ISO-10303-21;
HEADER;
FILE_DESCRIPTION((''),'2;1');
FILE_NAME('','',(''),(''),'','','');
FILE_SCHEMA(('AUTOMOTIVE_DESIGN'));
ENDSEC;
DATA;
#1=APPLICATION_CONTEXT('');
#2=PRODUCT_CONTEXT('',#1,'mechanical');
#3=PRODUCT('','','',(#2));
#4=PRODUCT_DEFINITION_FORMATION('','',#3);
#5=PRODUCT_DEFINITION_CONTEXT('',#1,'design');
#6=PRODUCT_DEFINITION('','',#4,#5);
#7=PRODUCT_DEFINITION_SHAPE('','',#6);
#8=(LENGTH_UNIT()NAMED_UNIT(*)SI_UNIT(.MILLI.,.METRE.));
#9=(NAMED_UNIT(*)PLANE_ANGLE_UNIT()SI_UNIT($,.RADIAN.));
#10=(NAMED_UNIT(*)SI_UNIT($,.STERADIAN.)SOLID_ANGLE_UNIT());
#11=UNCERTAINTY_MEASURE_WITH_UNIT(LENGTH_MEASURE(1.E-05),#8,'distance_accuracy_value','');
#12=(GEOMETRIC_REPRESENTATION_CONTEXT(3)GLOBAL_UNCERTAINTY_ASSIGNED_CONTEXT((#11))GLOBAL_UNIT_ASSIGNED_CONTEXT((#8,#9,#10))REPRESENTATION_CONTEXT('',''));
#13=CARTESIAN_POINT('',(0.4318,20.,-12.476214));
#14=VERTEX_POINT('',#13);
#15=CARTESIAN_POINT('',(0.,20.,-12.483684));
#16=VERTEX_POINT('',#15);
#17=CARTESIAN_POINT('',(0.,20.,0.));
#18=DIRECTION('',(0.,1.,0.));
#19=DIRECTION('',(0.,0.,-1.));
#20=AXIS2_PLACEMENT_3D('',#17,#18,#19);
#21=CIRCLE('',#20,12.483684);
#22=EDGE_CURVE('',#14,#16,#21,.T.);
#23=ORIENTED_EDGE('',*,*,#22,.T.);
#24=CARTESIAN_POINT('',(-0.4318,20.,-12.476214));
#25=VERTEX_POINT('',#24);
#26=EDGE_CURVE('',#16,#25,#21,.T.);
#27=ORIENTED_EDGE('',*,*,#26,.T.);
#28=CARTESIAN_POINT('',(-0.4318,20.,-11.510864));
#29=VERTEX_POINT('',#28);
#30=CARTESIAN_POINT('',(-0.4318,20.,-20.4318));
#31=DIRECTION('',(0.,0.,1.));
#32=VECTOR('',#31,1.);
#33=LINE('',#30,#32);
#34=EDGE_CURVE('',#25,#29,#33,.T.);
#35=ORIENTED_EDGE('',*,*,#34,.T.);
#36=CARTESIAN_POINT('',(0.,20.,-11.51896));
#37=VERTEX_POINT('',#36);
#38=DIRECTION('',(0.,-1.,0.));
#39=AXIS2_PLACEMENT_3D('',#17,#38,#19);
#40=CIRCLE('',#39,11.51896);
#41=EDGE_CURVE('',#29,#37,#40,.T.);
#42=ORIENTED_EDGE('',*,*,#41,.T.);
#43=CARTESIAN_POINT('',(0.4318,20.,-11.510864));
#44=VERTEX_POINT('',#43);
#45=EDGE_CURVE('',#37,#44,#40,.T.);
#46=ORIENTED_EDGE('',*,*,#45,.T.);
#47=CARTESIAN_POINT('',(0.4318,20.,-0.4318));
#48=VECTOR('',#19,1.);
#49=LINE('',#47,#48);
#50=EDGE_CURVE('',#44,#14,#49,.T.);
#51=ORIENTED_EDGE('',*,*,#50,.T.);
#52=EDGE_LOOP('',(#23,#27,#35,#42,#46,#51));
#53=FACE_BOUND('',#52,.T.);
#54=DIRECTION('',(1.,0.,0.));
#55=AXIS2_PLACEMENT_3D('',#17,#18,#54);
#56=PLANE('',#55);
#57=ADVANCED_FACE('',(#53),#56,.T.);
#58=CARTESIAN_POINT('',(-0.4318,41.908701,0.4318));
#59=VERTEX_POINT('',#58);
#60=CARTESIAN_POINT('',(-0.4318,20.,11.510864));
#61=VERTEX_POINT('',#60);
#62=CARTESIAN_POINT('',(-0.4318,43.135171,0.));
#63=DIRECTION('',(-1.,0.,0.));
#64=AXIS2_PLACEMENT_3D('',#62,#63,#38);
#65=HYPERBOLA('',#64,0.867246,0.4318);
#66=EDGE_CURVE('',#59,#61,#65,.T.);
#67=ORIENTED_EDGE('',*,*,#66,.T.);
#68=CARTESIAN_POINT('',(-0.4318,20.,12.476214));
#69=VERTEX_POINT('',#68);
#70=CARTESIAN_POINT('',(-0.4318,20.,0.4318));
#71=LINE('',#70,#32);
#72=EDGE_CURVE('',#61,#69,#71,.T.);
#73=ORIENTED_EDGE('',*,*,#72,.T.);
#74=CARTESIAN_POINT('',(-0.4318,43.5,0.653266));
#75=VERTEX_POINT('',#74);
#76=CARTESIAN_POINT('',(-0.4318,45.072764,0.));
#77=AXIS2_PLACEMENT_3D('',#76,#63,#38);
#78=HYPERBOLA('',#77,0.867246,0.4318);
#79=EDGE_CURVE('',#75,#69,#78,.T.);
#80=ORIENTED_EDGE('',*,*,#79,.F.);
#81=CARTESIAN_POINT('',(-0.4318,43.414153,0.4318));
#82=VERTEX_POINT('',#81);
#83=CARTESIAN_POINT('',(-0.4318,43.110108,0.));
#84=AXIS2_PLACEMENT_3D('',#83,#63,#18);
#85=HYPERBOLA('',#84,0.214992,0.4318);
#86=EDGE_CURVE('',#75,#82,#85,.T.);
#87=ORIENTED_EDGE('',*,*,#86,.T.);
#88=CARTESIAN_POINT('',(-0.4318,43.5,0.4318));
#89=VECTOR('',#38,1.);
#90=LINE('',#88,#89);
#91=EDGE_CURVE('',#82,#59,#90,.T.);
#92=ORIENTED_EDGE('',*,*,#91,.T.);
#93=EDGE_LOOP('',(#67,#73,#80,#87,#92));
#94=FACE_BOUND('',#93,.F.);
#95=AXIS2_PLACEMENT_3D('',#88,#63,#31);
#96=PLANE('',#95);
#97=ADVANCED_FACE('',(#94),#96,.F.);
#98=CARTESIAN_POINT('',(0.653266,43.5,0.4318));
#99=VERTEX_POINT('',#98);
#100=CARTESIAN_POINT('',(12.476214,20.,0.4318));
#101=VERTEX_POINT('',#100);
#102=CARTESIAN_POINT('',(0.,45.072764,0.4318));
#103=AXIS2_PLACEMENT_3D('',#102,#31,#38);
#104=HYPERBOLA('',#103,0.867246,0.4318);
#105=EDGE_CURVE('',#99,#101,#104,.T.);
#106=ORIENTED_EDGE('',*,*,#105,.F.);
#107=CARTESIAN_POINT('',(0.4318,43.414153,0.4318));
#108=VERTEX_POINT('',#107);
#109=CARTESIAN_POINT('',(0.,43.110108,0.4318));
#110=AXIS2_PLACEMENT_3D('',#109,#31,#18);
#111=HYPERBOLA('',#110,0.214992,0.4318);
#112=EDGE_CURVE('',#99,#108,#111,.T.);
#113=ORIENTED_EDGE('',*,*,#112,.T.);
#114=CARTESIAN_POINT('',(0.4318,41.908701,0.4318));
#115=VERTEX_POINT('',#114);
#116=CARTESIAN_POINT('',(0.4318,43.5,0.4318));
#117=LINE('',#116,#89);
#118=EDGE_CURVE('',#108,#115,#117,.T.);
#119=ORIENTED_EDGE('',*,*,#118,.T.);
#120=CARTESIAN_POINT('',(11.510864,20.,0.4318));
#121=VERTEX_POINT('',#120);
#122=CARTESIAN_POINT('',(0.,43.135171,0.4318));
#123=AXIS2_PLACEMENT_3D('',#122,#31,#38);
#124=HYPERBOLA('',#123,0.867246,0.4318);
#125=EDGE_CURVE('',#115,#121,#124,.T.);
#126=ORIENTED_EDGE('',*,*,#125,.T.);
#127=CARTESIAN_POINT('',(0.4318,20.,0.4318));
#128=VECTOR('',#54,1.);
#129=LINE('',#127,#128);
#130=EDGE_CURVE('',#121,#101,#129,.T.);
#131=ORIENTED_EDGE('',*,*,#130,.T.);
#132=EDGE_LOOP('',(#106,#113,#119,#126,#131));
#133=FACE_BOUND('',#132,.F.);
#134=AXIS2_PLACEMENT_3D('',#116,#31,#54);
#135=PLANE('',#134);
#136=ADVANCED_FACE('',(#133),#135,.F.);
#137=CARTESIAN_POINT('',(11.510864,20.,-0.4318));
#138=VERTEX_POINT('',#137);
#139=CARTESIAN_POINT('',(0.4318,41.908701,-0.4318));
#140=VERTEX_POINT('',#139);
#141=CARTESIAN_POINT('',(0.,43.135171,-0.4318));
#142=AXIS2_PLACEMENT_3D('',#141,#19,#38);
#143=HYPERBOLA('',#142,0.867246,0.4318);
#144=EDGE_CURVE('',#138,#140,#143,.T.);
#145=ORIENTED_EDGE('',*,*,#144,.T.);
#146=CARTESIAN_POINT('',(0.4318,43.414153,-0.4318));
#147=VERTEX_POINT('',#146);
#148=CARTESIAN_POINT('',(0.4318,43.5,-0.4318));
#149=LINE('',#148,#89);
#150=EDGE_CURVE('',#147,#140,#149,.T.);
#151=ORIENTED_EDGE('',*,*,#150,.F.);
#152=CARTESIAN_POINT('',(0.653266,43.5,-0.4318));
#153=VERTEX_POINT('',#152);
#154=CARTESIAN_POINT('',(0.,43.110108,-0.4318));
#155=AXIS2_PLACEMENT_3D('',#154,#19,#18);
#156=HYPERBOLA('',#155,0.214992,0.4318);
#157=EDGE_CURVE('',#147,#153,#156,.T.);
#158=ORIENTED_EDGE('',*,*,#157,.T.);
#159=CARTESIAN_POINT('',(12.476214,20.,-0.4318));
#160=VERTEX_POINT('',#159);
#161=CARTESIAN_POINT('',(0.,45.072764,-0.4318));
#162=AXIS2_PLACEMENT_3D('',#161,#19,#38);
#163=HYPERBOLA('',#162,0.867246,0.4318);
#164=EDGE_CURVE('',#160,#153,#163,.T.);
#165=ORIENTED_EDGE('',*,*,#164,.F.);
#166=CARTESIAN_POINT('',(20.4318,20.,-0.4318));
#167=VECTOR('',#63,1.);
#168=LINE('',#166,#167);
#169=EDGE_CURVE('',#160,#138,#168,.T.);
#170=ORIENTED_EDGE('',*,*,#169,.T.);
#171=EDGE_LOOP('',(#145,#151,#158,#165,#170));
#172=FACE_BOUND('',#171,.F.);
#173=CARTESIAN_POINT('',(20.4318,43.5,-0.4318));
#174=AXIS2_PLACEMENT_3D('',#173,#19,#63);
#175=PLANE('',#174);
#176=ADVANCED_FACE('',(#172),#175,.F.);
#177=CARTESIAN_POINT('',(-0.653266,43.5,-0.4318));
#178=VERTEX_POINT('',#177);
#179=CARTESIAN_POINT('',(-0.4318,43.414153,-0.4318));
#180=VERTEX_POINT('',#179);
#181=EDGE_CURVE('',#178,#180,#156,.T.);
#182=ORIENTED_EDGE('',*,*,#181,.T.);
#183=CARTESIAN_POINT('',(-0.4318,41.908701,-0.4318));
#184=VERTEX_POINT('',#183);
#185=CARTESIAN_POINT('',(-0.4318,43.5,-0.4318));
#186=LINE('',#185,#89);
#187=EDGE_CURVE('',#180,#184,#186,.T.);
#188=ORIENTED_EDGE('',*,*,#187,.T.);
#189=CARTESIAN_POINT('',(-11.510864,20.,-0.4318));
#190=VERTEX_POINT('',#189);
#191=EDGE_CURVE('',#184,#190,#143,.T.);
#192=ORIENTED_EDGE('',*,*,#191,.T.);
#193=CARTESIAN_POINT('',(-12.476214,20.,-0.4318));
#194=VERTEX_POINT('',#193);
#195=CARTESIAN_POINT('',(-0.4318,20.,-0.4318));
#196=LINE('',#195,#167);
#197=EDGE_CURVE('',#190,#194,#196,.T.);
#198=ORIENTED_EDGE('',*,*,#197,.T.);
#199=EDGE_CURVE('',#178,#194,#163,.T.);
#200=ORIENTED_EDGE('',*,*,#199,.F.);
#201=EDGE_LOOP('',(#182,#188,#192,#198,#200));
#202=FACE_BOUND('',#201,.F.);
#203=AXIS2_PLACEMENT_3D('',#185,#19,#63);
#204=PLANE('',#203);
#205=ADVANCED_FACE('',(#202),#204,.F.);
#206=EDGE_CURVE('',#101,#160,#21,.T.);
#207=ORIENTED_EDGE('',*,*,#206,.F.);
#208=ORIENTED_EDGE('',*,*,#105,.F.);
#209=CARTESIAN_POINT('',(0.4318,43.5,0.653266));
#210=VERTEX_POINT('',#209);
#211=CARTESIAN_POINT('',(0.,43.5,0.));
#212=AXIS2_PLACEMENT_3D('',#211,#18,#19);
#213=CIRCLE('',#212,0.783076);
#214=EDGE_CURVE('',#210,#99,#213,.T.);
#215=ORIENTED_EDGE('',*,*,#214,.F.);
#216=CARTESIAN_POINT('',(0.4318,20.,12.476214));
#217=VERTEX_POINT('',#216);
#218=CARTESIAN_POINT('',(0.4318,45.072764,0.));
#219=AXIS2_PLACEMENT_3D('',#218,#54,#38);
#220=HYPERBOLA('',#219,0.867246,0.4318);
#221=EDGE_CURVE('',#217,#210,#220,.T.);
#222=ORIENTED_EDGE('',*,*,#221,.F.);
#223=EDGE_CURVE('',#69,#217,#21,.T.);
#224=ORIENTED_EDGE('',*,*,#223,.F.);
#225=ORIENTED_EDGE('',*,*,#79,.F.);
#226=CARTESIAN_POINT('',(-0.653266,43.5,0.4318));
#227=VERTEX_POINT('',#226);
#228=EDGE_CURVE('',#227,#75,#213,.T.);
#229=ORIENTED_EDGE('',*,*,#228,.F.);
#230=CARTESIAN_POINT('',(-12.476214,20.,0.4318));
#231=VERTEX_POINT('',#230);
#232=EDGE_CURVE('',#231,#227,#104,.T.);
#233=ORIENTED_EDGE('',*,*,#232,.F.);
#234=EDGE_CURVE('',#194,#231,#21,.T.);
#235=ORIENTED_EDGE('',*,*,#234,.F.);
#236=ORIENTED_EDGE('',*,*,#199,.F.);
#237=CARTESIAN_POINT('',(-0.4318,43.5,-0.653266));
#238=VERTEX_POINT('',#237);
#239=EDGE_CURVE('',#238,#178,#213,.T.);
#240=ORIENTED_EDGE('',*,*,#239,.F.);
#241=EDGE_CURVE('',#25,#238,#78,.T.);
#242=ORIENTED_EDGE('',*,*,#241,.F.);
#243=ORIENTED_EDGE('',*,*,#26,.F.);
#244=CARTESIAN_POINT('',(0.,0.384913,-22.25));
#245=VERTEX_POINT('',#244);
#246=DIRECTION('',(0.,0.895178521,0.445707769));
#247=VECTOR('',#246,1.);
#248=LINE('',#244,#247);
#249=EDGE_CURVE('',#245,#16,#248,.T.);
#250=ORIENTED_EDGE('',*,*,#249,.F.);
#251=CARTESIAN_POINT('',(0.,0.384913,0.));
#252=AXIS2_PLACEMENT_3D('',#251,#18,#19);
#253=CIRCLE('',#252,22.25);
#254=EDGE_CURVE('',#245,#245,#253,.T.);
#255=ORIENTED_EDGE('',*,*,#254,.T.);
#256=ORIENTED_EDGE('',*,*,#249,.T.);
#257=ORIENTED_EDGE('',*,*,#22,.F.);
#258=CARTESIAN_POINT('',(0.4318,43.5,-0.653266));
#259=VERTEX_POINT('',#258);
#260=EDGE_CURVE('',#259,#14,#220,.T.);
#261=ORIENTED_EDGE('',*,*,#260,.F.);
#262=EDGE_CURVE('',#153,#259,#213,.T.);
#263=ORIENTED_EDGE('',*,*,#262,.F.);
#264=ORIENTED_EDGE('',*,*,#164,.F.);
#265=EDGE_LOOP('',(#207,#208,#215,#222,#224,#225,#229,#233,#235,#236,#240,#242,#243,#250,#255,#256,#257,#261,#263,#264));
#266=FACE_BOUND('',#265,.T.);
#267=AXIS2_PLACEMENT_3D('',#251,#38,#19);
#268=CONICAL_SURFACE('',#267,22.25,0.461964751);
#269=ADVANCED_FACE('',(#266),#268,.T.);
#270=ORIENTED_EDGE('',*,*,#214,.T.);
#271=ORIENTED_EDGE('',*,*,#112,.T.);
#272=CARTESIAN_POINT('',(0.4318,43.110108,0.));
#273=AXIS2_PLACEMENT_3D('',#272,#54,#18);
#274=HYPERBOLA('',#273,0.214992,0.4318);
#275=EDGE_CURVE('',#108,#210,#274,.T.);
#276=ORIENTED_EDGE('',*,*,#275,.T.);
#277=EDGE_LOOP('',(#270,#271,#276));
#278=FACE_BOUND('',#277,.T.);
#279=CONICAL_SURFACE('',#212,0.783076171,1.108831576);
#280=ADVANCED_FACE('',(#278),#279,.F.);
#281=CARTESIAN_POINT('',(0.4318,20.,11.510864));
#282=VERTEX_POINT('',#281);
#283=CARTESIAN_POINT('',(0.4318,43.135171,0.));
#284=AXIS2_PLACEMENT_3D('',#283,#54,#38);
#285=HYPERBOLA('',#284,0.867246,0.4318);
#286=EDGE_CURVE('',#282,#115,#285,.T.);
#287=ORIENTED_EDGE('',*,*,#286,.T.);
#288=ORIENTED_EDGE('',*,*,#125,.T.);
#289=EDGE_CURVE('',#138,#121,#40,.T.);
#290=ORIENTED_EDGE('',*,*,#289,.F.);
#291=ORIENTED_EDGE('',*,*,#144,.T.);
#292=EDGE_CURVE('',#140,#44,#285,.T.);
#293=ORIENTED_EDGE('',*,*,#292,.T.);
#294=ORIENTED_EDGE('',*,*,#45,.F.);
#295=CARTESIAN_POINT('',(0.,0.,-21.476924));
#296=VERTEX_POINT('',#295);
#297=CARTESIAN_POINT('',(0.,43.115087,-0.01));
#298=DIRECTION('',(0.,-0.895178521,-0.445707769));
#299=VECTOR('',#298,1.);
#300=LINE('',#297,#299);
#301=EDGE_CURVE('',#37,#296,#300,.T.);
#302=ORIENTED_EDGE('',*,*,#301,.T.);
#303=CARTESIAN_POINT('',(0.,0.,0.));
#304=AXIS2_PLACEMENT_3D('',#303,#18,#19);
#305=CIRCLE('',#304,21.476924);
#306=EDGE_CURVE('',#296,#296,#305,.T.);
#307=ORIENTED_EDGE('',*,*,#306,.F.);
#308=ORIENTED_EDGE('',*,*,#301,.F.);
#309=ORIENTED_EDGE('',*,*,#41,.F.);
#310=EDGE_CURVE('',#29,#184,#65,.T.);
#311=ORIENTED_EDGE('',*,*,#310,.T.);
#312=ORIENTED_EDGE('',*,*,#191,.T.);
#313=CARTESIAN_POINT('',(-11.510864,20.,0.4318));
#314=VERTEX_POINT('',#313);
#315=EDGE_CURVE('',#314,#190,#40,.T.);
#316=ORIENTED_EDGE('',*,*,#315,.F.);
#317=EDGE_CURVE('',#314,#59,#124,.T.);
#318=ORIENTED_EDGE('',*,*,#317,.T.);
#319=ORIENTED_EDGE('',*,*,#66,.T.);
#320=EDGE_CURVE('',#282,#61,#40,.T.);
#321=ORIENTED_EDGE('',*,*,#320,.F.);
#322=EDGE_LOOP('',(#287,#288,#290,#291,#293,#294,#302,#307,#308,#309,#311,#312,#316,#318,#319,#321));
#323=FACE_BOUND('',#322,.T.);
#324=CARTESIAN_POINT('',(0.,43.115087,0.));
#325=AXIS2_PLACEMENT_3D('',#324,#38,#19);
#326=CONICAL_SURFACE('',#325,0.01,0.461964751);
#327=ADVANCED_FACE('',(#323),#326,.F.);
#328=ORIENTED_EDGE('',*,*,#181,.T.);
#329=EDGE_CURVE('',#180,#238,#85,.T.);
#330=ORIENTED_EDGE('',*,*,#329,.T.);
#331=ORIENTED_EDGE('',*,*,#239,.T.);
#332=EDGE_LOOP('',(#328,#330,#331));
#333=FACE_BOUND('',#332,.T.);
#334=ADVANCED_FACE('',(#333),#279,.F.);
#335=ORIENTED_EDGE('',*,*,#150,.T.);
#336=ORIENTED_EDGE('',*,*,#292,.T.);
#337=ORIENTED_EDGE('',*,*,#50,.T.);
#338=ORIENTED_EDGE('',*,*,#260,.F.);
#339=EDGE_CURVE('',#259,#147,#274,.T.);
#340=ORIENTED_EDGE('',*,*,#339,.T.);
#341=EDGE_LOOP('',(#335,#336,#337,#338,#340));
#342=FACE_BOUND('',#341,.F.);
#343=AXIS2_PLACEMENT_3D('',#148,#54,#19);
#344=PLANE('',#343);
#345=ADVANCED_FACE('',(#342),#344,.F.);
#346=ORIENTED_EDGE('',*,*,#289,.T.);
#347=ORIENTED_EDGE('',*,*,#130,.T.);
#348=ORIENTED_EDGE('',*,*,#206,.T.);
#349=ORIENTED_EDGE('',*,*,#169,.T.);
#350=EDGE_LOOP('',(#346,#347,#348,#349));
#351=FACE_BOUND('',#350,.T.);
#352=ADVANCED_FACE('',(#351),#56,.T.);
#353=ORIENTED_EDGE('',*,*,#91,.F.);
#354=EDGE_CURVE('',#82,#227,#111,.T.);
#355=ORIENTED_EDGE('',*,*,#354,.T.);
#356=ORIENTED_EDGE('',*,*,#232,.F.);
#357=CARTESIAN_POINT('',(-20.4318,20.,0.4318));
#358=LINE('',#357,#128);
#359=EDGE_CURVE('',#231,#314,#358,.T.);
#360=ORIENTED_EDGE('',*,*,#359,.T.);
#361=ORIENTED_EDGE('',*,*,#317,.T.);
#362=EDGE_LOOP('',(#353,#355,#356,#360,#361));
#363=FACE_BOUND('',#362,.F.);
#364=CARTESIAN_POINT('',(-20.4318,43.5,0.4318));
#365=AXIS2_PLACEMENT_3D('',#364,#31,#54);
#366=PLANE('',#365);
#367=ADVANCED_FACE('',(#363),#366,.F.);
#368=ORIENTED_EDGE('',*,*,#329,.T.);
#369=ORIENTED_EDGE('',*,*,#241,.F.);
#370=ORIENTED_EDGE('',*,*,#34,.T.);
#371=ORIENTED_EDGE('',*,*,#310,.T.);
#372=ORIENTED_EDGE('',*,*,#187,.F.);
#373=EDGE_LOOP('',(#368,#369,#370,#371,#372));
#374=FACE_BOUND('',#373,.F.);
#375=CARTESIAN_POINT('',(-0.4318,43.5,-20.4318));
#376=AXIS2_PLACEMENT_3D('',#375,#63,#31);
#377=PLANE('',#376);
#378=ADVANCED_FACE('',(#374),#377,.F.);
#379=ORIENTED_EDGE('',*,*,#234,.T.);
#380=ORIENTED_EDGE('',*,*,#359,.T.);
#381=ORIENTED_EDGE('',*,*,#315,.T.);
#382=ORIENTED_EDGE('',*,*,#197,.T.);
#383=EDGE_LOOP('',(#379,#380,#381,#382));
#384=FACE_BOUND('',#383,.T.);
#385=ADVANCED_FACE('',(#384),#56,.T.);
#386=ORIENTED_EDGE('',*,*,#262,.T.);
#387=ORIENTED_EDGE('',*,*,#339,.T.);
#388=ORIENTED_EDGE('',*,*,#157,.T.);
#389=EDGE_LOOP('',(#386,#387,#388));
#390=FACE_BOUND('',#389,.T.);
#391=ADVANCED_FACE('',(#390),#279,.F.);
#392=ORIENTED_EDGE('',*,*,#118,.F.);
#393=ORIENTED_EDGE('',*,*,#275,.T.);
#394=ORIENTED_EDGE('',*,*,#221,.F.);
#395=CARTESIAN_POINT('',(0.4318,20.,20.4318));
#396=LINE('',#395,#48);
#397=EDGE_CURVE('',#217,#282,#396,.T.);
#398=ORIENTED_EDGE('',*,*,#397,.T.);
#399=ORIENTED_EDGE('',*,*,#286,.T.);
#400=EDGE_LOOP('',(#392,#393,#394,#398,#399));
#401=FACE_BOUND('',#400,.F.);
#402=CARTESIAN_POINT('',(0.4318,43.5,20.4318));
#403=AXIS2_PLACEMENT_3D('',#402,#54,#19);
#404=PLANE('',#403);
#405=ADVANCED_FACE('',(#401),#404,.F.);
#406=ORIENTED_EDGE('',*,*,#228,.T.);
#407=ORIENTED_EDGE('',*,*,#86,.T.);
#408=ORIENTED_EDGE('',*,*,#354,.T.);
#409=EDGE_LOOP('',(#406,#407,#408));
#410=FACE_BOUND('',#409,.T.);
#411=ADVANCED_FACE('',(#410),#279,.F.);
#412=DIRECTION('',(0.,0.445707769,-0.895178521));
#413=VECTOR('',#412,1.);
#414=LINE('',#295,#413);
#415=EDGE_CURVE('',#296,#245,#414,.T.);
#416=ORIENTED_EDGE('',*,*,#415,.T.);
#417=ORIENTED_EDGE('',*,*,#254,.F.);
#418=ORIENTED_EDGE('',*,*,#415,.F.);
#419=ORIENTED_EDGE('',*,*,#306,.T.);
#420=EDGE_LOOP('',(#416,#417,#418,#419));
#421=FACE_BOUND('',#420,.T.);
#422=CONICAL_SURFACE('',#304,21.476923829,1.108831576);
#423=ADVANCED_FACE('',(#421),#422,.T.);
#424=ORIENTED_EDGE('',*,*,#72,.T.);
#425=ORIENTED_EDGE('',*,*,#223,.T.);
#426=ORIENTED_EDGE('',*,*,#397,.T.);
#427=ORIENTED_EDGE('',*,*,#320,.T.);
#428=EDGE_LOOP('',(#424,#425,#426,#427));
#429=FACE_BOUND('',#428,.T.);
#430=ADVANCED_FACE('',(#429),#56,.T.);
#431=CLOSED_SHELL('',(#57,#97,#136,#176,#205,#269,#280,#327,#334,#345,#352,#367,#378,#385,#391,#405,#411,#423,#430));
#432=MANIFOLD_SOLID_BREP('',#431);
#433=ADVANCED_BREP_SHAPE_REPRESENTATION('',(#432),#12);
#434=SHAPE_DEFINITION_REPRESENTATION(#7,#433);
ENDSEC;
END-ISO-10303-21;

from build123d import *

# Parameters (mm, degrees)
CUT_EXTRUDE1_DEPTH = 23.5


with BuildPart() as part:
    # Sketch1 → Revolve1 (revolve)
    with BuildSketch(Plane.XY, mode=Mode.PRIVATE) as revolve1_sk:
        Polygon((-22.25, 0.384913229), (-0.783076171, 43.5), (-0.01, 43.115086771), (-21.476923829, 0), align=None)
    revolve(revolve1_sk.sketch.rotate(Axis((0, 0, 0), (0, 1, 0)), 270), axis=Axis((0, 0, 0), (0, 1, 0)))

    # Sketch3 → Cut-Extrude1 (cut)
    with BuildSketch(Plane(origin=(0, 43.5, 0), x_dir=(-1, 0, 0), z_dir=(0, -1, 0))):
        Polygon((-20.4318, -0.4318), (-20.4318, 0.4318), (-0.4318, 0.4318), (-0.4318, 20.4318), (0.4318, 20.4318), (0.4318, 0.4318), (20.4318, 0.4318), (20.4318, -0.4318), (0.4318, -0.4318), (0.4318, -20.4318), (-0.4318, -20.4318), (-0.4318, -0.4318), align=None)
    extrude(amount=CUT_EXTRUDE1_DEPTH, mode=Mode.SUBTRACT)


solid = part.part
